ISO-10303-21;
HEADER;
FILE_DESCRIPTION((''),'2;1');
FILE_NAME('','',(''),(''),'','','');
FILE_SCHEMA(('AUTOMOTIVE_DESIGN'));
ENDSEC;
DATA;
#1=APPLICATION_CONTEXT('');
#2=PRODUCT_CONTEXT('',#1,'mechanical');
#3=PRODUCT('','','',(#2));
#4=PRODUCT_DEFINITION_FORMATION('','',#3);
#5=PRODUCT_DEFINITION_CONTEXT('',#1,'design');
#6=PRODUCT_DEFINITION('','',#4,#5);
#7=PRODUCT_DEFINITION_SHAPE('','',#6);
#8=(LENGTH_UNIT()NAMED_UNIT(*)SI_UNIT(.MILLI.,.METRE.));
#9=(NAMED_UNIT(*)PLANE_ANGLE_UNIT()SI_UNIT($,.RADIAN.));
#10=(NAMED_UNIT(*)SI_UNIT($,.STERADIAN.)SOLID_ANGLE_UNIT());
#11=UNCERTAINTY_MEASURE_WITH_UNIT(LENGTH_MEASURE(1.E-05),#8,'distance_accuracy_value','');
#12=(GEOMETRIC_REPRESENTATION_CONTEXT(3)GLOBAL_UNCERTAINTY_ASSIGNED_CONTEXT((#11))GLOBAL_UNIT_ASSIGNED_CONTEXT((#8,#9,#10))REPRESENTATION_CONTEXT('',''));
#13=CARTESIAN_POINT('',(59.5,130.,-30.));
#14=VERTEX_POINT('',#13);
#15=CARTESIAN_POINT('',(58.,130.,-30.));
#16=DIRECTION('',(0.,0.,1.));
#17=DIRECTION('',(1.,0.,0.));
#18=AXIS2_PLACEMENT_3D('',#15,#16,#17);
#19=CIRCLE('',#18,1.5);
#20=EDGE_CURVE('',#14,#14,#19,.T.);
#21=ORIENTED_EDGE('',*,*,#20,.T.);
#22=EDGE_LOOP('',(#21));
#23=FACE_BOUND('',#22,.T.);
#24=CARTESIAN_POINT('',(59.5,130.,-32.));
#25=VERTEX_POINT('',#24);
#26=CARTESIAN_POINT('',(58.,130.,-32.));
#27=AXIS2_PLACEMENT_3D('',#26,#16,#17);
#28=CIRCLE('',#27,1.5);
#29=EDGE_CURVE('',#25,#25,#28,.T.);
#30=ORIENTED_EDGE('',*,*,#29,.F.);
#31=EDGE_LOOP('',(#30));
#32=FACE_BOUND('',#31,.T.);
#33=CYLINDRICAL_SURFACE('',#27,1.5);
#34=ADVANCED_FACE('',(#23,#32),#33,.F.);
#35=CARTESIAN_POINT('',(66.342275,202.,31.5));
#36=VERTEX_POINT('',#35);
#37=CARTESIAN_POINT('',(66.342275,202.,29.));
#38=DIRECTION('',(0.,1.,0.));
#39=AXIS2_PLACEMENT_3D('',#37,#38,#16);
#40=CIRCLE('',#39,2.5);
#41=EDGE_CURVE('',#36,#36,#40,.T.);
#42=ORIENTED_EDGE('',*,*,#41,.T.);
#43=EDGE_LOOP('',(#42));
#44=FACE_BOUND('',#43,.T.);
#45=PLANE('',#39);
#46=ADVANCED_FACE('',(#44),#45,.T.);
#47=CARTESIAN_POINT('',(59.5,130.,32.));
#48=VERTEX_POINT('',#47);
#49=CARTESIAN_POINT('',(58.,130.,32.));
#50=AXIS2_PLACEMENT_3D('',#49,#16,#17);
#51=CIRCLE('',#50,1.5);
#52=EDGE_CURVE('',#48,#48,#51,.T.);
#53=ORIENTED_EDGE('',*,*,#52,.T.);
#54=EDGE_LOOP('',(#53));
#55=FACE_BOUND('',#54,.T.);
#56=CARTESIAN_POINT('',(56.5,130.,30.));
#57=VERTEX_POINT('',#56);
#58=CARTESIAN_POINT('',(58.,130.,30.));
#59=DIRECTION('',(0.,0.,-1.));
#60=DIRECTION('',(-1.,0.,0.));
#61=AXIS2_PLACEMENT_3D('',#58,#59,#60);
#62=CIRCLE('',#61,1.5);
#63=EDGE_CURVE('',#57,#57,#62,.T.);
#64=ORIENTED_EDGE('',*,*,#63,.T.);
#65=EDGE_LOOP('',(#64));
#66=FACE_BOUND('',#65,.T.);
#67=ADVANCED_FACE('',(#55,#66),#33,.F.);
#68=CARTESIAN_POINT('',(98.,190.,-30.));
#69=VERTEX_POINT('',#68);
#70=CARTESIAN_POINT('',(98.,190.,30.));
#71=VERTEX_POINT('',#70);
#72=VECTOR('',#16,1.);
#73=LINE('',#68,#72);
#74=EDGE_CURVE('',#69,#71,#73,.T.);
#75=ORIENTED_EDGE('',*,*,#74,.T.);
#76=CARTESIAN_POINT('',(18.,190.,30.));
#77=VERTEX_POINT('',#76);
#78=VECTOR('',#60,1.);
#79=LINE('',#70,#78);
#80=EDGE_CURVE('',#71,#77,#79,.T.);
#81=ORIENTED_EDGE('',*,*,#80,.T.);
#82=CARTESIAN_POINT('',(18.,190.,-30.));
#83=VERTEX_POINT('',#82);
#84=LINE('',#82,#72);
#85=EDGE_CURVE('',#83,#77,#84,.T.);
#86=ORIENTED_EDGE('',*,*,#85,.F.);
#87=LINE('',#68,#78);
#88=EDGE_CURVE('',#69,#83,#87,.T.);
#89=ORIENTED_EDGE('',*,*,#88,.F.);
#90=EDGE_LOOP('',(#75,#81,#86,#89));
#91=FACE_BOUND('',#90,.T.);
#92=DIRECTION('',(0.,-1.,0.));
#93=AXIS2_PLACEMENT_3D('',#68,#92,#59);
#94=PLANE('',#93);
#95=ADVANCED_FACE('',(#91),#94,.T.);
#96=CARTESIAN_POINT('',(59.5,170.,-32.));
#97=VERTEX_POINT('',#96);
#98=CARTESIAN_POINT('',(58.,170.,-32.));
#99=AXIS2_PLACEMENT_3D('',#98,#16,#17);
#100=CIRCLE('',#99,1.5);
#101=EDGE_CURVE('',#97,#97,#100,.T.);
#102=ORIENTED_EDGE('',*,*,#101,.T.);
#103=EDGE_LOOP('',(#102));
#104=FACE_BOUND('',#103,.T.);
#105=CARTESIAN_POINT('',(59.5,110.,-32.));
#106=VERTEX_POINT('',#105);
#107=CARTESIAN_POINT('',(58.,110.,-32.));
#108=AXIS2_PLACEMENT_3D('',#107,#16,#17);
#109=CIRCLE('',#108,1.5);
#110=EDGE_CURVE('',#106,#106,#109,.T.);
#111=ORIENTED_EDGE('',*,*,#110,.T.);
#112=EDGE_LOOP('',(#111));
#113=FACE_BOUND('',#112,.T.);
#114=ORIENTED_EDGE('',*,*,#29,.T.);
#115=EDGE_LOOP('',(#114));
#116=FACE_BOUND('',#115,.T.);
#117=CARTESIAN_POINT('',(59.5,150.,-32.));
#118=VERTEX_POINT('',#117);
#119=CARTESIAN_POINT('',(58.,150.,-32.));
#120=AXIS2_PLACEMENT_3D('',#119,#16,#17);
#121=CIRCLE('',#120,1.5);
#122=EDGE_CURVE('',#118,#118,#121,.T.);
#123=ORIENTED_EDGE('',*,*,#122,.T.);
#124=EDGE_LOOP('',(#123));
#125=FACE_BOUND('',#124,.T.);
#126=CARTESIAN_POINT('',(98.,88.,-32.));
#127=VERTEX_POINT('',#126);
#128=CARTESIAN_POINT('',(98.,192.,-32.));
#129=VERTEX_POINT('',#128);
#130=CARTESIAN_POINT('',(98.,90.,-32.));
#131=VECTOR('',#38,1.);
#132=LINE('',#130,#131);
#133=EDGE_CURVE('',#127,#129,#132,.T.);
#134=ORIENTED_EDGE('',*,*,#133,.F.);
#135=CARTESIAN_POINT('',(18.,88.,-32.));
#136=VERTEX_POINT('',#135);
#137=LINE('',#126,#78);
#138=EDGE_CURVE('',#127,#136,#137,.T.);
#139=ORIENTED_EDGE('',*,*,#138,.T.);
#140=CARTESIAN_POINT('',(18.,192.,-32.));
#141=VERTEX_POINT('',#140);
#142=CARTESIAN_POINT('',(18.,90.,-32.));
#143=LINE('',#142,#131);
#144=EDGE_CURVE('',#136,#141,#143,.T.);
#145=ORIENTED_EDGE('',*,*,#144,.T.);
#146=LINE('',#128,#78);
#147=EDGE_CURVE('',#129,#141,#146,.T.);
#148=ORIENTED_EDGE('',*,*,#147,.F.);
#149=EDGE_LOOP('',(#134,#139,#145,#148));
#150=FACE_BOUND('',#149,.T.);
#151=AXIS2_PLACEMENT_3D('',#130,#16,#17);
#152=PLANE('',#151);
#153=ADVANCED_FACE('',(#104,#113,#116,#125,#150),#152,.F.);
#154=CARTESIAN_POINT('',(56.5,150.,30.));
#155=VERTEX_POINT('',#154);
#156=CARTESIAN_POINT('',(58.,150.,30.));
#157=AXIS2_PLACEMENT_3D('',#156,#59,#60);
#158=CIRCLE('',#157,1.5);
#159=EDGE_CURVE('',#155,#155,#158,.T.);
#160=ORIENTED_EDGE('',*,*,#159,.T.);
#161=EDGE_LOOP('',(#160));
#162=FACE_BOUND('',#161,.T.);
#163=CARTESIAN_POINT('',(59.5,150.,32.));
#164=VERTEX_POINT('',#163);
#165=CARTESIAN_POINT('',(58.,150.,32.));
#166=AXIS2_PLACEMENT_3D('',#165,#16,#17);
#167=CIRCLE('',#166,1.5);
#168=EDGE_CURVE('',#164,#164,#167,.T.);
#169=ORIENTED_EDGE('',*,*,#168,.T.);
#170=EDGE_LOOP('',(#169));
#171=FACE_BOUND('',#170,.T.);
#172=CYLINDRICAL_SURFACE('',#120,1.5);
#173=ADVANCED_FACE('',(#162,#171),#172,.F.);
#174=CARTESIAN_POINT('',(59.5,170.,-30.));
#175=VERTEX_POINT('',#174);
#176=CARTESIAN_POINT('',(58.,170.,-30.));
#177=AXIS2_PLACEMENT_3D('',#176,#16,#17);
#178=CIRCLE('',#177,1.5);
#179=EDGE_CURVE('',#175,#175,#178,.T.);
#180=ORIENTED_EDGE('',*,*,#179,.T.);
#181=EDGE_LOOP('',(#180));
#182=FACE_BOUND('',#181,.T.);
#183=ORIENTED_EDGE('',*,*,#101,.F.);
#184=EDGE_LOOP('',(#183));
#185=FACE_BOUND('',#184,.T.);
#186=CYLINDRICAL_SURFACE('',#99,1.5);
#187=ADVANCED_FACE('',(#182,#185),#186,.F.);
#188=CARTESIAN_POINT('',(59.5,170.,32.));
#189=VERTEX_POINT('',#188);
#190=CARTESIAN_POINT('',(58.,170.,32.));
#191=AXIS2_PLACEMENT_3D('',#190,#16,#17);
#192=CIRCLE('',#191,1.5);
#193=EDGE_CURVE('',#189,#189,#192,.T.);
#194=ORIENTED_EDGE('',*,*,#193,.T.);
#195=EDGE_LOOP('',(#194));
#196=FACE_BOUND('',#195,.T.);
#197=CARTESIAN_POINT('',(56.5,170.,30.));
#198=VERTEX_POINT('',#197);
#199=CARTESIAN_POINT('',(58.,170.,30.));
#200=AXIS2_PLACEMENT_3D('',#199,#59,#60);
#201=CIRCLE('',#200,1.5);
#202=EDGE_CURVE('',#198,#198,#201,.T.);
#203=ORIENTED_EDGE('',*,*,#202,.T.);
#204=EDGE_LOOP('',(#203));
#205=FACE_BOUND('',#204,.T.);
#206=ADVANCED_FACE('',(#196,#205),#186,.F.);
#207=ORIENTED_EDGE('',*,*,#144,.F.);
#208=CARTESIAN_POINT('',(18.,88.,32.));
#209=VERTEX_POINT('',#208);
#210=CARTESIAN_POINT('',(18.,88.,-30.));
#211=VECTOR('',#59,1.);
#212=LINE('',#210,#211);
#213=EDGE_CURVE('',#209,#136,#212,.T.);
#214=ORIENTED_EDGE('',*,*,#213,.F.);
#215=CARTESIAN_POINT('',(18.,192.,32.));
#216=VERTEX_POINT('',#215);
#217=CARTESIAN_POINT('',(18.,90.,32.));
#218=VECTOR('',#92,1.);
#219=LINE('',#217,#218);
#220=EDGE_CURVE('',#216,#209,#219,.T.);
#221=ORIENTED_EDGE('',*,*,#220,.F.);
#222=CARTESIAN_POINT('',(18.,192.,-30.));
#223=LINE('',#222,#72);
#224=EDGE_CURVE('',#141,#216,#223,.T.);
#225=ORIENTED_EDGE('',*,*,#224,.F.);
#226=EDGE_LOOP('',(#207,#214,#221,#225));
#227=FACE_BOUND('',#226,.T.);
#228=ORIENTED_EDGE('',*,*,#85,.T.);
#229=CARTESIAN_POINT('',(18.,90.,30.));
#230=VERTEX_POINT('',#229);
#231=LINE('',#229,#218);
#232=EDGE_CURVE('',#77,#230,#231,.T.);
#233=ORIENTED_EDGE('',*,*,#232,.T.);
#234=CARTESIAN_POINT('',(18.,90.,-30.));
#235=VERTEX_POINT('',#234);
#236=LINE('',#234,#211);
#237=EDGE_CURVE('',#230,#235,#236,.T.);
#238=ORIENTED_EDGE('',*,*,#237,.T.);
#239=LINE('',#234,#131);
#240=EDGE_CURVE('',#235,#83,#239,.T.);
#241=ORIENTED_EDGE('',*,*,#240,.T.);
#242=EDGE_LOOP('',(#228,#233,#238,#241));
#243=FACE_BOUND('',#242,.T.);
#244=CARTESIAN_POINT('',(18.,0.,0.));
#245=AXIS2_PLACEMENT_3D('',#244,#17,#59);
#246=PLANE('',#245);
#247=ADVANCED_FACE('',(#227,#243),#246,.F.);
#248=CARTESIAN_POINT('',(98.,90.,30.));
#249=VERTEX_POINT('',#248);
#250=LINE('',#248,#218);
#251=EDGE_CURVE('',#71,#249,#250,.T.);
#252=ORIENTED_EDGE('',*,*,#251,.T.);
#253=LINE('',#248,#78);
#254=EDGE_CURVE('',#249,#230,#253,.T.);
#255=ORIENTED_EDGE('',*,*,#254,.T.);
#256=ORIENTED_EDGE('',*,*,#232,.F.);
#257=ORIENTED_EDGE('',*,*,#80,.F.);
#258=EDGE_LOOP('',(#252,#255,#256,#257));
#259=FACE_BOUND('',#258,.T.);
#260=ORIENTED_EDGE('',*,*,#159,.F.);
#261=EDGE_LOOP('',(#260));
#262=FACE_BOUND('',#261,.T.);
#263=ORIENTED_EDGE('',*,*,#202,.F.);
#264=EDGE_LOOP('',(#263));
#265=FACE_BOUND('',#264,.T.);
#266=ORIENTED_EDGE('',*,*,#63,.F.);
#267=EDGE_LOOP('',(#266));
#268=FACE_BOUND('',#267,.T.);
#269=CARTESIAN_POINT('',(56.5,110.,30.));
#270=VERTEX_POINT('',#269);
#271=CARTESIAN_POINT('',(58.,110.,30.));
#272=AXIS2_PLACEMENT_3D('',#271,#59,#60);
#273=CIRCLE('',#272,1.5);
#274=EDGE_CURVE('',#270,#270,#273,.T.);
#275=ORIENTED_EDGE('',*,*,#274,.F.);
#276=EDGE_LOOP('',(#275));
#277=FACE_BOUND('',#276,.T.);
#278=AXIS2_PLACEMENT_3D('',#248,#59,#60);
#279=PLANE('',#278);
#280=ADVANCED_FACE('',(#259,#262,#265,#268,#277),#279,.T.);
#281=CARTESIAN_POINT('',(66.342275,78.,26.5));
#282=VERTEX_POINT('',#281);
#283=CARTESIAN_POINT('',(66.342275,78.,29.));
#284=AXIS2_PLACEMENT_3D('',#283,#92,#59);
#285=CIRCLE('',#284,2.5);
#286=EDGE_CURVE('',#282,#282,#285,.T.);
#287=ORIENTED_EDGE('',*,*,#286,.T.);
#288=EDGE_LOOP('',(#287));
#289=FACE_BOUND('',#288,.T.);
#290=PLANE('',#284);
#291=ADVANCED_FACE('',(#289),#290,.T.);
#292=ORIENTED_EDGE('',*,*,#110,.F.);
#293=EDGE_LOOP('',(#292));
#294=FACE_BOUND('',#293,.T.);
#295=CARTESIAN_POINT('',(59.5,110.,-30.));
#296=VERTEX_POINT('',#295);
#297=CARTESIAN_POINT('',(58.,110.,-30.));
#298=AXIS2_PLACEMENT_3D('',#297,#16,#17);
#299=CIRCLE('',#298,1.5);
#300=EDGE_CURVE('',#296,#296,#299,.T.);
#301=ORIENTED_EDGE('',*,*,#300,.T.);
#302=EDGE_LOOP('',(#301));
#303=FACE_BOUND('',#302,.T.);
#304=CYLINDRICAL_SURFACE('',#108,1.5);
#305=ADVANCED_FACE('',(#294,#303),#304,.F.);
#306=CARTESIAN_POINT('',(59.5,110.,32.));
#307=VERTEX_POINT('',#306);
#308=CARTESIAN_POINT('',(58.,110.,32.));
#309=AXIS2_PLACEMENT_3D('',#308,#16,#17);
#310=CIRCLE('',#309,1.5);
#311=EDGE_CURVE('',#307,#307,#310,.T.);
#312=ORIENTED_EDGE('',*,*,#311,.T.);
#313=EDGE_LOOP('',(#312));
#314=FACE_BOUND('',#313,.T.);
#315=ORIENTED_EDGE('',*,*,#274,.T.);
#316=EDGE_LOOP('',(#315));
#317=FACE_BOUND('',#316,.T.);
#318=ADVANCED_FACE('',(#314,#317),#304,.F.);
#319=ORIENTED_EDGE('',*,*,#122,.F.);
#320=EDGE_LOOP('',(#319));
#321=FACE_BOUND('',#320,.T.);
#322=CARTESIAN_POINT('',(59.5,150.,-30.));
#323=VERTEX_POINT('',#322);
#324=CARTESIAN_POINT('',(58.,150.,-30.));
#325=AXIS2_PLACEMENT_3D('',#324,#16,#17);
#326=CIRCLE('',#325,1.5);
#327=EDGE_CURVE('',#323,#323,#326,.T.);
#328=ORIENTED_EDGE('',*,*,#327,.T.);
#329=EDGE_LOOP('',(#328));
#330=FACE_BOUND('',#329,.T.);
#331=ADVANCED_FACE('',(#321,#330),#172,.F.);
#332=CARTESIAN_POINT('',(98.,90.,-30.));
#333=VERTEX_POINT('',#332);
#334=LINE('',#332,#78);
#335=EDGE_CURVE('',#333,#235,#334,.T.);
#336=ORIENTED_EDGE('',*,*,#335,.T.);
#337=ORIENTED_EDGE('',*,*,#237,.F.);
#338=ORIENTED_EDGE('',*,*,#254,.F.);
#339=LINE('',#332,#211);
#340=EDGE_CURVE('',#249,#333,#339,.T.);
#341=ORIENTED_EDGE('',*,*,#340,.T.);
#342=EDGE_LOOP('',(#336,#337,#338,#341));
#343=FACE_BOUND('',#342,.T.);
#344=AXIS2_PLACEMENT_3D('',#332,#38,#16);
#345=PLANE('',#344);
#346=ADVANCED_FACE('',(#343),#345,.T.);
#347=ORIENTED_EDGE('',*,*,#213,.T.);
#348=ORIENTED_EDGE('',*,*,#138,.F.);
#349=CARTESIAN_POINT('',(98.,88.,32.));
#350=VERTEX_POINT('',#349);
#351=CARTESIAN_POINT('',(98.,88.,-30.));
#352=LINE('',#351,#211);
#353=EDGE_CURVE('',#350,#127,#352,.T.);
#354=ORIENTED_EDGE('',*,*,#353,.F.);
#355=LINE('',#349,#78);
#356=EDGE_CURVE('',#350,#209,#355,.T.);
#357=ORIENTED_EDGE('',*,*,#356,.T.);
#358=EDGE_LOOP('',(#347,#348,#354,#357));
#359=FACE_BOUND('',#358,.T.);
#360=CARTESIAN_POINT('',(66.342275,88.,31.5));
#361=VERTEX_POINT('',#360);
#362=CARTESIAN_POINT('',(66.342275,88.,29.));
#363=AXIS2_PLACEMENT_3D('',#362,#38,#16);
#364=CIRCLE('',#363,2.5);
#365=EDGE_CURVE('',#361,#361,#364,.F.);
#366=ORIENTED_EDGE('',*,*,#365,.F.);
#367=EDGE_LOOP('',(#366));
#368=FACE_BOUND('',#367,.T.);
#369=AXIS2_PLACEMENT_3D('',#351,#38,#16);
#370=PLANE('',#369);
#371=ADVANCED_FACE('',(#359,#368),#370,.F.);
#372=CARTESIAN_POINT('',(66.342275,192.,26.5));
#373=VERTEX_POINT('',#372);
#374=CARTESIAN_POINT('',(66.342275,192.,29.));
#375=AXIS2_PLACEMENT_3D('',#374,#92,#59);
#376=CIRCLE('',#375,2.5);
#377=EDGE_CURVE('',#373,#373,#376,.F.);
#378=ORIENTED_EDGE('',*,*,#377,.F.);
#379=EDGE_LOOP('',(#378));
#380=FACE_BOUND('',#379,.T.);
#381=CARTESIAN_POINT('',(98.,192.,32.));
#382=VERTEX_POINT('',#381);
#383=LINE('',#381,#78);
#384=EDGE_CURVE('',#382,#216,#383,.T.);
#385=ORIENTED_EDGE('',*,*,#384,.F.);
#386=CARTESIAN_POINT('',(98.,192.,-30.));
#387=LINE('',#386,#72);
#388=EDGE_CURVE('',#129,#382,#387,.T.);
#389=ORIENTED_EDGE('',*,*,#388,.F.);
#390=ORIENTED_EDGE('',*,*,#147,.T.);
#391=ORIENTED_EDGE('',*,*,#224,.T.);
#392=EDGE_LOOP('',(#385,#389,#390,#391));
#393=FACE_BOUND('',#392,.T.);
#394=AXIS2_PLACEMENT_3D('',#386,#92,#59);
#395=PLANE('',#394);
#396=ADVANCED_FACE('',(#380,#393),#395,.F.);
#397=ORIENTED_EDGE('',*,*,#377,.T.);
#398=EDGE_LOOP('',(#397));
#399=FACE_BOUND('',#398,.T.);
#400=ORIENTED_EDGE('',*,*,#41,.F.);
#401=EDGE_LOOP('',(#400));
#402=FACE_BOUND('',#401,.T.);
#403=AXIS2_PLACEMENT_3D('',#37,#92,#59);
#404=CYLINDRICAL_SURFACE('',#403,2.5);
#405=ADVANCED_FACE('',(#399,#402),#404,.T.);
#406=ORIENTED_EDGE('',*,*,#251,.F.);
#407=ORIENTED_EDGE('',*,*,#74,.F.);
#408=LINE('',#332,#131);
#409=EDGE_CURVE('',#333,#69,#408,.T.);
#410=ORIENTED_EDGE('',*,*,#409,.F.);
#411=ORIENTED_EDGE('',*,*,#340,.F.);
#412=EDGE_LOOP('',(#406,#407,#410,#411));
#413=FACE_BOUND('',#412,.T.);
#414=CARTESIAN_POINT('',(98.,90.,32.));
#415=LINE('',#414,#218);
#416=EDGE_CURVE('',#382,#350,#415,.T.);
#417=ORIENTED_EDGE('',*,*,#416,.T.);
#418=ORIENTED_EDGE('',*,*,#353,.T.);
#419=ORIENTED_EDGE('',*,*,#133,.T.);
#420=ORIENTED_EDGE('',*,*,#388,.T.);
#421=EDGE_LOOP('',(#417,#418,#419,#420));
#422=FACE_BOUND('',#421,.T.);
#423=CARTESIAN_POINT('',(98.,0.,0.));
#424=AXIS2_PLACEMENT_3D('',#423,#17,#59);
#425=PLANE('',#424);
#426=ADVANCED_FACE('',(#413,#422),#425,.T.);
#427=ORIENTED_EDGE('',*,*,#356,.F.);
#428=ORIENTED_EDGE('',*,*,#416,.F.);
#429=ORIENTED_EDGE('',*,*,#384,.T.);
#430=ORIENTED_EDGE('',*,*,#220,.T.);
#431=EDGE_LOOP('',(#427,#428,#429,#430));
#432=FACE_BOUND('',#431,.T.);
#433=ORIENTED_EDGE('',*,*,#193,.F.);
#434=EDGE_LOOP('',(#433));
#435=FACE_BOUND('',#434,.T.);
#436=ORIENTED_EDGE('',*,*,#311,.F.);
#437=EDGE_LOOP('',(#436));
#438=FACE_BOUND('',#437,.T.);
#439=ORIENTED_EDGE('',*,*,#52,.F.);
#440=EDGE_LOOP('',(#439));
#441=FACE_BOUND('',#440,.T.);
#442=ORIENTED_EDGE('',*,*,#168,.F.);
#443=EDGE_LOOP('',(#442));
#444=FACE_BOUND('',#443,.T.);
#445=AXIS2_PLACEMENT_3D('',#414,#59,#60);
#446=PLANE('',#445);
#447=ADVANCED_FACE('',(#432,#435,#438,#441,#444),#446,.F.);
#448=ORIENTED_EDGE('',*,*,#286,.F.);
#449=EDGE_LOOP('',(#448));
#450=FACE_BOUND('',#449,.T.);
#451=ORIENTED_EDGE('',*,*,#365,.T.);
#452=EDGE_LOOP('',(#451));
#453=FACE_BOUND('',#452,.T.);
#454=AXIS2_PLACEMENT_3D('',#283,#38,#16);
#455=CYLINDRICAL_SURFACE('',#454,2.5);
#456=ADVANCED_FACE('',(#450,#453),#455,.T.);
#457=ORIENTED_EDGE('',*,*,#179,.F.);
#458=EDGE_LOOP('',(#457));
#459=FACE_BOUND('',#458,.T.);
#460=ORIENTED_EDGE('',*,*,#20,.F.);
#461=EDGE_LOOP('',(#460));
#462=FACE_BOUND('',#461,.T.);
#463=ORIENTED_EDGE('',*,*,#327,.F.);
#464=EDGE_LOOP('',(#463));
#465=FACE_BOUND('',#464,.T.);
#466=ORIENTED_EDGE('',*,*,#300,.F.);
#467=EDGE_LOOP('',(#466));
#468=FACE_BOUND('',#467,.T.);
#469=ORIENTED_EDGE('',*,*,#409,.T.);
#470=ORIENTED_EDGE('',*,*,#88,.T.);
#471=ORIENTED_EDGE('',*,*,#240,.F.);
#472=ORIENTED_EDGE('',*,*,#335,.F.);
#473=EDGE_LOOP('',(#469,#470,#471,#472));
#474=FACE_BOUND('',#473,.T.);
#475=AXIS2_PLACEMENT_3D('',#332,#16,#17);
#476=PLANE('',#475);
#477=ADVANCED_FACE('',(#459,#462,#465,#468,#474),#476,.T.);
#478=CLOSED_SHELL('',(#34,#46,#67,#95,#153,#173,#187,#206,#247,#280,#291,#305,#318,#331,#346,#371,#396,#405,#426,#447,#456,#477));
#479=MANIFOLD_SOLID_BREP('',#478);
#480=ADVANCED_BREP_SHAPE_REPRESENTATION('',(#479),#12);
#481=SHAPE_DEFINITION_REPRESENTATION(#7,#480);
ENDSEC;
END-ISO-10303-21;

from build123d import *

# Parameters (mm, degrees)
DUCT_THROAT_START           = 18
SKETCH1_W                   = 60
SKETCH1_H                   = 100
DUCT_THROAT_DEPTH           = 80
CARBON_WALL_SHELL_T         = 2
PIVOT_HOLE_PAIRS_DEPTH      = 218.926593145
PIVOT_HOLE_PAIRS_DEPTH_BACK = 218.926593145
SKETCH2_R                   = 1.5
SKETCH3_R                   = 2.5
SMA_ANCHOR_PEG_DEPTH        = 10
BIAS_ANCHOR_PEG_START       = 10
SKETCH4_R                   = 2.5
BIAS_ANCHOR_PEG_DEPTH       = 10


with BuildPart() as part:
    # Sketch1 → Duct_Throat (new body)
    with BuildSketch(Plane(origin=(0, 0, 0), x_dir=(0, 0, -1), z_dir=(1, 0, 0)).offset(DUCT_THROAT_START)):
        with Locations((0, 140)):
            Rectangle(SKETCH1_W, SKETCH1_H)
    extrude(amount=DUCT_THROAT_DEPTH)

    # Carbon_Wall_Shell
    carbon_wall_shell_openings = [part.faces().sort_by_distance(p)[0] for p in [
        (18, 140, 0),
        (98, 140, 0),
    ]]
    offset(amount=CARBON_WALL_SHELL_T, openings=carbon_wall_shell_openings, kind=Kind.INTERSECTION)

    # Sketch2 → Pivot_Hole_Pairs (cut, two sides: drawn at the far end of the back side and taken through both)
    with BuildSketch(Plane.XY.offset(-PIVOT_HOLE_PAIRS_DEPTH_BACK)):
        with Locations((58, 110)):
            Circle(SKETCH2_R)
        with Locations((58, 130)):
            Circle(SKETCH2_R)
        with Locations((58, 150)):
            Circle(SKETCH2_R)
        with Locations((58, 170)):
            Circle(SKETCH2_R)
    extrude(amount=PIVOT_HOLE_PAIRS_DEPTH + PIVOT_HOLE_PAIRS_DEPTH_BACK, mode=Mode.SUBTRACT)

    # Sketch3 → SMA_Anchor_Peg (add)
    with BuildSketch(Plane(origin=(0, 192, 0), x_dir=(1, 0, 0), z_dir=(0, 1, 0))):
        with Locations(Location((66.342275148, -29, 0), (0, 0, 90))):
            Circle(SKETCH3_R)
    extrude(amount=SMA_ANCHOR_PEG_DEPTH)

    # Sketch4 → Bias_Anchor_Peg (add)
    with BuildSketch(Plane.XZ.offset(-88).offset(BIAS_ANCHOR_PEG_START)):
        with Locations(Location((66.342275148, 29, 0), (0, 0, 270))):
            Circle(SKETCH4_R)
    extrude(amount=-BIAS_ANCHOR_PEG_DEPTH)


solid = part.part
